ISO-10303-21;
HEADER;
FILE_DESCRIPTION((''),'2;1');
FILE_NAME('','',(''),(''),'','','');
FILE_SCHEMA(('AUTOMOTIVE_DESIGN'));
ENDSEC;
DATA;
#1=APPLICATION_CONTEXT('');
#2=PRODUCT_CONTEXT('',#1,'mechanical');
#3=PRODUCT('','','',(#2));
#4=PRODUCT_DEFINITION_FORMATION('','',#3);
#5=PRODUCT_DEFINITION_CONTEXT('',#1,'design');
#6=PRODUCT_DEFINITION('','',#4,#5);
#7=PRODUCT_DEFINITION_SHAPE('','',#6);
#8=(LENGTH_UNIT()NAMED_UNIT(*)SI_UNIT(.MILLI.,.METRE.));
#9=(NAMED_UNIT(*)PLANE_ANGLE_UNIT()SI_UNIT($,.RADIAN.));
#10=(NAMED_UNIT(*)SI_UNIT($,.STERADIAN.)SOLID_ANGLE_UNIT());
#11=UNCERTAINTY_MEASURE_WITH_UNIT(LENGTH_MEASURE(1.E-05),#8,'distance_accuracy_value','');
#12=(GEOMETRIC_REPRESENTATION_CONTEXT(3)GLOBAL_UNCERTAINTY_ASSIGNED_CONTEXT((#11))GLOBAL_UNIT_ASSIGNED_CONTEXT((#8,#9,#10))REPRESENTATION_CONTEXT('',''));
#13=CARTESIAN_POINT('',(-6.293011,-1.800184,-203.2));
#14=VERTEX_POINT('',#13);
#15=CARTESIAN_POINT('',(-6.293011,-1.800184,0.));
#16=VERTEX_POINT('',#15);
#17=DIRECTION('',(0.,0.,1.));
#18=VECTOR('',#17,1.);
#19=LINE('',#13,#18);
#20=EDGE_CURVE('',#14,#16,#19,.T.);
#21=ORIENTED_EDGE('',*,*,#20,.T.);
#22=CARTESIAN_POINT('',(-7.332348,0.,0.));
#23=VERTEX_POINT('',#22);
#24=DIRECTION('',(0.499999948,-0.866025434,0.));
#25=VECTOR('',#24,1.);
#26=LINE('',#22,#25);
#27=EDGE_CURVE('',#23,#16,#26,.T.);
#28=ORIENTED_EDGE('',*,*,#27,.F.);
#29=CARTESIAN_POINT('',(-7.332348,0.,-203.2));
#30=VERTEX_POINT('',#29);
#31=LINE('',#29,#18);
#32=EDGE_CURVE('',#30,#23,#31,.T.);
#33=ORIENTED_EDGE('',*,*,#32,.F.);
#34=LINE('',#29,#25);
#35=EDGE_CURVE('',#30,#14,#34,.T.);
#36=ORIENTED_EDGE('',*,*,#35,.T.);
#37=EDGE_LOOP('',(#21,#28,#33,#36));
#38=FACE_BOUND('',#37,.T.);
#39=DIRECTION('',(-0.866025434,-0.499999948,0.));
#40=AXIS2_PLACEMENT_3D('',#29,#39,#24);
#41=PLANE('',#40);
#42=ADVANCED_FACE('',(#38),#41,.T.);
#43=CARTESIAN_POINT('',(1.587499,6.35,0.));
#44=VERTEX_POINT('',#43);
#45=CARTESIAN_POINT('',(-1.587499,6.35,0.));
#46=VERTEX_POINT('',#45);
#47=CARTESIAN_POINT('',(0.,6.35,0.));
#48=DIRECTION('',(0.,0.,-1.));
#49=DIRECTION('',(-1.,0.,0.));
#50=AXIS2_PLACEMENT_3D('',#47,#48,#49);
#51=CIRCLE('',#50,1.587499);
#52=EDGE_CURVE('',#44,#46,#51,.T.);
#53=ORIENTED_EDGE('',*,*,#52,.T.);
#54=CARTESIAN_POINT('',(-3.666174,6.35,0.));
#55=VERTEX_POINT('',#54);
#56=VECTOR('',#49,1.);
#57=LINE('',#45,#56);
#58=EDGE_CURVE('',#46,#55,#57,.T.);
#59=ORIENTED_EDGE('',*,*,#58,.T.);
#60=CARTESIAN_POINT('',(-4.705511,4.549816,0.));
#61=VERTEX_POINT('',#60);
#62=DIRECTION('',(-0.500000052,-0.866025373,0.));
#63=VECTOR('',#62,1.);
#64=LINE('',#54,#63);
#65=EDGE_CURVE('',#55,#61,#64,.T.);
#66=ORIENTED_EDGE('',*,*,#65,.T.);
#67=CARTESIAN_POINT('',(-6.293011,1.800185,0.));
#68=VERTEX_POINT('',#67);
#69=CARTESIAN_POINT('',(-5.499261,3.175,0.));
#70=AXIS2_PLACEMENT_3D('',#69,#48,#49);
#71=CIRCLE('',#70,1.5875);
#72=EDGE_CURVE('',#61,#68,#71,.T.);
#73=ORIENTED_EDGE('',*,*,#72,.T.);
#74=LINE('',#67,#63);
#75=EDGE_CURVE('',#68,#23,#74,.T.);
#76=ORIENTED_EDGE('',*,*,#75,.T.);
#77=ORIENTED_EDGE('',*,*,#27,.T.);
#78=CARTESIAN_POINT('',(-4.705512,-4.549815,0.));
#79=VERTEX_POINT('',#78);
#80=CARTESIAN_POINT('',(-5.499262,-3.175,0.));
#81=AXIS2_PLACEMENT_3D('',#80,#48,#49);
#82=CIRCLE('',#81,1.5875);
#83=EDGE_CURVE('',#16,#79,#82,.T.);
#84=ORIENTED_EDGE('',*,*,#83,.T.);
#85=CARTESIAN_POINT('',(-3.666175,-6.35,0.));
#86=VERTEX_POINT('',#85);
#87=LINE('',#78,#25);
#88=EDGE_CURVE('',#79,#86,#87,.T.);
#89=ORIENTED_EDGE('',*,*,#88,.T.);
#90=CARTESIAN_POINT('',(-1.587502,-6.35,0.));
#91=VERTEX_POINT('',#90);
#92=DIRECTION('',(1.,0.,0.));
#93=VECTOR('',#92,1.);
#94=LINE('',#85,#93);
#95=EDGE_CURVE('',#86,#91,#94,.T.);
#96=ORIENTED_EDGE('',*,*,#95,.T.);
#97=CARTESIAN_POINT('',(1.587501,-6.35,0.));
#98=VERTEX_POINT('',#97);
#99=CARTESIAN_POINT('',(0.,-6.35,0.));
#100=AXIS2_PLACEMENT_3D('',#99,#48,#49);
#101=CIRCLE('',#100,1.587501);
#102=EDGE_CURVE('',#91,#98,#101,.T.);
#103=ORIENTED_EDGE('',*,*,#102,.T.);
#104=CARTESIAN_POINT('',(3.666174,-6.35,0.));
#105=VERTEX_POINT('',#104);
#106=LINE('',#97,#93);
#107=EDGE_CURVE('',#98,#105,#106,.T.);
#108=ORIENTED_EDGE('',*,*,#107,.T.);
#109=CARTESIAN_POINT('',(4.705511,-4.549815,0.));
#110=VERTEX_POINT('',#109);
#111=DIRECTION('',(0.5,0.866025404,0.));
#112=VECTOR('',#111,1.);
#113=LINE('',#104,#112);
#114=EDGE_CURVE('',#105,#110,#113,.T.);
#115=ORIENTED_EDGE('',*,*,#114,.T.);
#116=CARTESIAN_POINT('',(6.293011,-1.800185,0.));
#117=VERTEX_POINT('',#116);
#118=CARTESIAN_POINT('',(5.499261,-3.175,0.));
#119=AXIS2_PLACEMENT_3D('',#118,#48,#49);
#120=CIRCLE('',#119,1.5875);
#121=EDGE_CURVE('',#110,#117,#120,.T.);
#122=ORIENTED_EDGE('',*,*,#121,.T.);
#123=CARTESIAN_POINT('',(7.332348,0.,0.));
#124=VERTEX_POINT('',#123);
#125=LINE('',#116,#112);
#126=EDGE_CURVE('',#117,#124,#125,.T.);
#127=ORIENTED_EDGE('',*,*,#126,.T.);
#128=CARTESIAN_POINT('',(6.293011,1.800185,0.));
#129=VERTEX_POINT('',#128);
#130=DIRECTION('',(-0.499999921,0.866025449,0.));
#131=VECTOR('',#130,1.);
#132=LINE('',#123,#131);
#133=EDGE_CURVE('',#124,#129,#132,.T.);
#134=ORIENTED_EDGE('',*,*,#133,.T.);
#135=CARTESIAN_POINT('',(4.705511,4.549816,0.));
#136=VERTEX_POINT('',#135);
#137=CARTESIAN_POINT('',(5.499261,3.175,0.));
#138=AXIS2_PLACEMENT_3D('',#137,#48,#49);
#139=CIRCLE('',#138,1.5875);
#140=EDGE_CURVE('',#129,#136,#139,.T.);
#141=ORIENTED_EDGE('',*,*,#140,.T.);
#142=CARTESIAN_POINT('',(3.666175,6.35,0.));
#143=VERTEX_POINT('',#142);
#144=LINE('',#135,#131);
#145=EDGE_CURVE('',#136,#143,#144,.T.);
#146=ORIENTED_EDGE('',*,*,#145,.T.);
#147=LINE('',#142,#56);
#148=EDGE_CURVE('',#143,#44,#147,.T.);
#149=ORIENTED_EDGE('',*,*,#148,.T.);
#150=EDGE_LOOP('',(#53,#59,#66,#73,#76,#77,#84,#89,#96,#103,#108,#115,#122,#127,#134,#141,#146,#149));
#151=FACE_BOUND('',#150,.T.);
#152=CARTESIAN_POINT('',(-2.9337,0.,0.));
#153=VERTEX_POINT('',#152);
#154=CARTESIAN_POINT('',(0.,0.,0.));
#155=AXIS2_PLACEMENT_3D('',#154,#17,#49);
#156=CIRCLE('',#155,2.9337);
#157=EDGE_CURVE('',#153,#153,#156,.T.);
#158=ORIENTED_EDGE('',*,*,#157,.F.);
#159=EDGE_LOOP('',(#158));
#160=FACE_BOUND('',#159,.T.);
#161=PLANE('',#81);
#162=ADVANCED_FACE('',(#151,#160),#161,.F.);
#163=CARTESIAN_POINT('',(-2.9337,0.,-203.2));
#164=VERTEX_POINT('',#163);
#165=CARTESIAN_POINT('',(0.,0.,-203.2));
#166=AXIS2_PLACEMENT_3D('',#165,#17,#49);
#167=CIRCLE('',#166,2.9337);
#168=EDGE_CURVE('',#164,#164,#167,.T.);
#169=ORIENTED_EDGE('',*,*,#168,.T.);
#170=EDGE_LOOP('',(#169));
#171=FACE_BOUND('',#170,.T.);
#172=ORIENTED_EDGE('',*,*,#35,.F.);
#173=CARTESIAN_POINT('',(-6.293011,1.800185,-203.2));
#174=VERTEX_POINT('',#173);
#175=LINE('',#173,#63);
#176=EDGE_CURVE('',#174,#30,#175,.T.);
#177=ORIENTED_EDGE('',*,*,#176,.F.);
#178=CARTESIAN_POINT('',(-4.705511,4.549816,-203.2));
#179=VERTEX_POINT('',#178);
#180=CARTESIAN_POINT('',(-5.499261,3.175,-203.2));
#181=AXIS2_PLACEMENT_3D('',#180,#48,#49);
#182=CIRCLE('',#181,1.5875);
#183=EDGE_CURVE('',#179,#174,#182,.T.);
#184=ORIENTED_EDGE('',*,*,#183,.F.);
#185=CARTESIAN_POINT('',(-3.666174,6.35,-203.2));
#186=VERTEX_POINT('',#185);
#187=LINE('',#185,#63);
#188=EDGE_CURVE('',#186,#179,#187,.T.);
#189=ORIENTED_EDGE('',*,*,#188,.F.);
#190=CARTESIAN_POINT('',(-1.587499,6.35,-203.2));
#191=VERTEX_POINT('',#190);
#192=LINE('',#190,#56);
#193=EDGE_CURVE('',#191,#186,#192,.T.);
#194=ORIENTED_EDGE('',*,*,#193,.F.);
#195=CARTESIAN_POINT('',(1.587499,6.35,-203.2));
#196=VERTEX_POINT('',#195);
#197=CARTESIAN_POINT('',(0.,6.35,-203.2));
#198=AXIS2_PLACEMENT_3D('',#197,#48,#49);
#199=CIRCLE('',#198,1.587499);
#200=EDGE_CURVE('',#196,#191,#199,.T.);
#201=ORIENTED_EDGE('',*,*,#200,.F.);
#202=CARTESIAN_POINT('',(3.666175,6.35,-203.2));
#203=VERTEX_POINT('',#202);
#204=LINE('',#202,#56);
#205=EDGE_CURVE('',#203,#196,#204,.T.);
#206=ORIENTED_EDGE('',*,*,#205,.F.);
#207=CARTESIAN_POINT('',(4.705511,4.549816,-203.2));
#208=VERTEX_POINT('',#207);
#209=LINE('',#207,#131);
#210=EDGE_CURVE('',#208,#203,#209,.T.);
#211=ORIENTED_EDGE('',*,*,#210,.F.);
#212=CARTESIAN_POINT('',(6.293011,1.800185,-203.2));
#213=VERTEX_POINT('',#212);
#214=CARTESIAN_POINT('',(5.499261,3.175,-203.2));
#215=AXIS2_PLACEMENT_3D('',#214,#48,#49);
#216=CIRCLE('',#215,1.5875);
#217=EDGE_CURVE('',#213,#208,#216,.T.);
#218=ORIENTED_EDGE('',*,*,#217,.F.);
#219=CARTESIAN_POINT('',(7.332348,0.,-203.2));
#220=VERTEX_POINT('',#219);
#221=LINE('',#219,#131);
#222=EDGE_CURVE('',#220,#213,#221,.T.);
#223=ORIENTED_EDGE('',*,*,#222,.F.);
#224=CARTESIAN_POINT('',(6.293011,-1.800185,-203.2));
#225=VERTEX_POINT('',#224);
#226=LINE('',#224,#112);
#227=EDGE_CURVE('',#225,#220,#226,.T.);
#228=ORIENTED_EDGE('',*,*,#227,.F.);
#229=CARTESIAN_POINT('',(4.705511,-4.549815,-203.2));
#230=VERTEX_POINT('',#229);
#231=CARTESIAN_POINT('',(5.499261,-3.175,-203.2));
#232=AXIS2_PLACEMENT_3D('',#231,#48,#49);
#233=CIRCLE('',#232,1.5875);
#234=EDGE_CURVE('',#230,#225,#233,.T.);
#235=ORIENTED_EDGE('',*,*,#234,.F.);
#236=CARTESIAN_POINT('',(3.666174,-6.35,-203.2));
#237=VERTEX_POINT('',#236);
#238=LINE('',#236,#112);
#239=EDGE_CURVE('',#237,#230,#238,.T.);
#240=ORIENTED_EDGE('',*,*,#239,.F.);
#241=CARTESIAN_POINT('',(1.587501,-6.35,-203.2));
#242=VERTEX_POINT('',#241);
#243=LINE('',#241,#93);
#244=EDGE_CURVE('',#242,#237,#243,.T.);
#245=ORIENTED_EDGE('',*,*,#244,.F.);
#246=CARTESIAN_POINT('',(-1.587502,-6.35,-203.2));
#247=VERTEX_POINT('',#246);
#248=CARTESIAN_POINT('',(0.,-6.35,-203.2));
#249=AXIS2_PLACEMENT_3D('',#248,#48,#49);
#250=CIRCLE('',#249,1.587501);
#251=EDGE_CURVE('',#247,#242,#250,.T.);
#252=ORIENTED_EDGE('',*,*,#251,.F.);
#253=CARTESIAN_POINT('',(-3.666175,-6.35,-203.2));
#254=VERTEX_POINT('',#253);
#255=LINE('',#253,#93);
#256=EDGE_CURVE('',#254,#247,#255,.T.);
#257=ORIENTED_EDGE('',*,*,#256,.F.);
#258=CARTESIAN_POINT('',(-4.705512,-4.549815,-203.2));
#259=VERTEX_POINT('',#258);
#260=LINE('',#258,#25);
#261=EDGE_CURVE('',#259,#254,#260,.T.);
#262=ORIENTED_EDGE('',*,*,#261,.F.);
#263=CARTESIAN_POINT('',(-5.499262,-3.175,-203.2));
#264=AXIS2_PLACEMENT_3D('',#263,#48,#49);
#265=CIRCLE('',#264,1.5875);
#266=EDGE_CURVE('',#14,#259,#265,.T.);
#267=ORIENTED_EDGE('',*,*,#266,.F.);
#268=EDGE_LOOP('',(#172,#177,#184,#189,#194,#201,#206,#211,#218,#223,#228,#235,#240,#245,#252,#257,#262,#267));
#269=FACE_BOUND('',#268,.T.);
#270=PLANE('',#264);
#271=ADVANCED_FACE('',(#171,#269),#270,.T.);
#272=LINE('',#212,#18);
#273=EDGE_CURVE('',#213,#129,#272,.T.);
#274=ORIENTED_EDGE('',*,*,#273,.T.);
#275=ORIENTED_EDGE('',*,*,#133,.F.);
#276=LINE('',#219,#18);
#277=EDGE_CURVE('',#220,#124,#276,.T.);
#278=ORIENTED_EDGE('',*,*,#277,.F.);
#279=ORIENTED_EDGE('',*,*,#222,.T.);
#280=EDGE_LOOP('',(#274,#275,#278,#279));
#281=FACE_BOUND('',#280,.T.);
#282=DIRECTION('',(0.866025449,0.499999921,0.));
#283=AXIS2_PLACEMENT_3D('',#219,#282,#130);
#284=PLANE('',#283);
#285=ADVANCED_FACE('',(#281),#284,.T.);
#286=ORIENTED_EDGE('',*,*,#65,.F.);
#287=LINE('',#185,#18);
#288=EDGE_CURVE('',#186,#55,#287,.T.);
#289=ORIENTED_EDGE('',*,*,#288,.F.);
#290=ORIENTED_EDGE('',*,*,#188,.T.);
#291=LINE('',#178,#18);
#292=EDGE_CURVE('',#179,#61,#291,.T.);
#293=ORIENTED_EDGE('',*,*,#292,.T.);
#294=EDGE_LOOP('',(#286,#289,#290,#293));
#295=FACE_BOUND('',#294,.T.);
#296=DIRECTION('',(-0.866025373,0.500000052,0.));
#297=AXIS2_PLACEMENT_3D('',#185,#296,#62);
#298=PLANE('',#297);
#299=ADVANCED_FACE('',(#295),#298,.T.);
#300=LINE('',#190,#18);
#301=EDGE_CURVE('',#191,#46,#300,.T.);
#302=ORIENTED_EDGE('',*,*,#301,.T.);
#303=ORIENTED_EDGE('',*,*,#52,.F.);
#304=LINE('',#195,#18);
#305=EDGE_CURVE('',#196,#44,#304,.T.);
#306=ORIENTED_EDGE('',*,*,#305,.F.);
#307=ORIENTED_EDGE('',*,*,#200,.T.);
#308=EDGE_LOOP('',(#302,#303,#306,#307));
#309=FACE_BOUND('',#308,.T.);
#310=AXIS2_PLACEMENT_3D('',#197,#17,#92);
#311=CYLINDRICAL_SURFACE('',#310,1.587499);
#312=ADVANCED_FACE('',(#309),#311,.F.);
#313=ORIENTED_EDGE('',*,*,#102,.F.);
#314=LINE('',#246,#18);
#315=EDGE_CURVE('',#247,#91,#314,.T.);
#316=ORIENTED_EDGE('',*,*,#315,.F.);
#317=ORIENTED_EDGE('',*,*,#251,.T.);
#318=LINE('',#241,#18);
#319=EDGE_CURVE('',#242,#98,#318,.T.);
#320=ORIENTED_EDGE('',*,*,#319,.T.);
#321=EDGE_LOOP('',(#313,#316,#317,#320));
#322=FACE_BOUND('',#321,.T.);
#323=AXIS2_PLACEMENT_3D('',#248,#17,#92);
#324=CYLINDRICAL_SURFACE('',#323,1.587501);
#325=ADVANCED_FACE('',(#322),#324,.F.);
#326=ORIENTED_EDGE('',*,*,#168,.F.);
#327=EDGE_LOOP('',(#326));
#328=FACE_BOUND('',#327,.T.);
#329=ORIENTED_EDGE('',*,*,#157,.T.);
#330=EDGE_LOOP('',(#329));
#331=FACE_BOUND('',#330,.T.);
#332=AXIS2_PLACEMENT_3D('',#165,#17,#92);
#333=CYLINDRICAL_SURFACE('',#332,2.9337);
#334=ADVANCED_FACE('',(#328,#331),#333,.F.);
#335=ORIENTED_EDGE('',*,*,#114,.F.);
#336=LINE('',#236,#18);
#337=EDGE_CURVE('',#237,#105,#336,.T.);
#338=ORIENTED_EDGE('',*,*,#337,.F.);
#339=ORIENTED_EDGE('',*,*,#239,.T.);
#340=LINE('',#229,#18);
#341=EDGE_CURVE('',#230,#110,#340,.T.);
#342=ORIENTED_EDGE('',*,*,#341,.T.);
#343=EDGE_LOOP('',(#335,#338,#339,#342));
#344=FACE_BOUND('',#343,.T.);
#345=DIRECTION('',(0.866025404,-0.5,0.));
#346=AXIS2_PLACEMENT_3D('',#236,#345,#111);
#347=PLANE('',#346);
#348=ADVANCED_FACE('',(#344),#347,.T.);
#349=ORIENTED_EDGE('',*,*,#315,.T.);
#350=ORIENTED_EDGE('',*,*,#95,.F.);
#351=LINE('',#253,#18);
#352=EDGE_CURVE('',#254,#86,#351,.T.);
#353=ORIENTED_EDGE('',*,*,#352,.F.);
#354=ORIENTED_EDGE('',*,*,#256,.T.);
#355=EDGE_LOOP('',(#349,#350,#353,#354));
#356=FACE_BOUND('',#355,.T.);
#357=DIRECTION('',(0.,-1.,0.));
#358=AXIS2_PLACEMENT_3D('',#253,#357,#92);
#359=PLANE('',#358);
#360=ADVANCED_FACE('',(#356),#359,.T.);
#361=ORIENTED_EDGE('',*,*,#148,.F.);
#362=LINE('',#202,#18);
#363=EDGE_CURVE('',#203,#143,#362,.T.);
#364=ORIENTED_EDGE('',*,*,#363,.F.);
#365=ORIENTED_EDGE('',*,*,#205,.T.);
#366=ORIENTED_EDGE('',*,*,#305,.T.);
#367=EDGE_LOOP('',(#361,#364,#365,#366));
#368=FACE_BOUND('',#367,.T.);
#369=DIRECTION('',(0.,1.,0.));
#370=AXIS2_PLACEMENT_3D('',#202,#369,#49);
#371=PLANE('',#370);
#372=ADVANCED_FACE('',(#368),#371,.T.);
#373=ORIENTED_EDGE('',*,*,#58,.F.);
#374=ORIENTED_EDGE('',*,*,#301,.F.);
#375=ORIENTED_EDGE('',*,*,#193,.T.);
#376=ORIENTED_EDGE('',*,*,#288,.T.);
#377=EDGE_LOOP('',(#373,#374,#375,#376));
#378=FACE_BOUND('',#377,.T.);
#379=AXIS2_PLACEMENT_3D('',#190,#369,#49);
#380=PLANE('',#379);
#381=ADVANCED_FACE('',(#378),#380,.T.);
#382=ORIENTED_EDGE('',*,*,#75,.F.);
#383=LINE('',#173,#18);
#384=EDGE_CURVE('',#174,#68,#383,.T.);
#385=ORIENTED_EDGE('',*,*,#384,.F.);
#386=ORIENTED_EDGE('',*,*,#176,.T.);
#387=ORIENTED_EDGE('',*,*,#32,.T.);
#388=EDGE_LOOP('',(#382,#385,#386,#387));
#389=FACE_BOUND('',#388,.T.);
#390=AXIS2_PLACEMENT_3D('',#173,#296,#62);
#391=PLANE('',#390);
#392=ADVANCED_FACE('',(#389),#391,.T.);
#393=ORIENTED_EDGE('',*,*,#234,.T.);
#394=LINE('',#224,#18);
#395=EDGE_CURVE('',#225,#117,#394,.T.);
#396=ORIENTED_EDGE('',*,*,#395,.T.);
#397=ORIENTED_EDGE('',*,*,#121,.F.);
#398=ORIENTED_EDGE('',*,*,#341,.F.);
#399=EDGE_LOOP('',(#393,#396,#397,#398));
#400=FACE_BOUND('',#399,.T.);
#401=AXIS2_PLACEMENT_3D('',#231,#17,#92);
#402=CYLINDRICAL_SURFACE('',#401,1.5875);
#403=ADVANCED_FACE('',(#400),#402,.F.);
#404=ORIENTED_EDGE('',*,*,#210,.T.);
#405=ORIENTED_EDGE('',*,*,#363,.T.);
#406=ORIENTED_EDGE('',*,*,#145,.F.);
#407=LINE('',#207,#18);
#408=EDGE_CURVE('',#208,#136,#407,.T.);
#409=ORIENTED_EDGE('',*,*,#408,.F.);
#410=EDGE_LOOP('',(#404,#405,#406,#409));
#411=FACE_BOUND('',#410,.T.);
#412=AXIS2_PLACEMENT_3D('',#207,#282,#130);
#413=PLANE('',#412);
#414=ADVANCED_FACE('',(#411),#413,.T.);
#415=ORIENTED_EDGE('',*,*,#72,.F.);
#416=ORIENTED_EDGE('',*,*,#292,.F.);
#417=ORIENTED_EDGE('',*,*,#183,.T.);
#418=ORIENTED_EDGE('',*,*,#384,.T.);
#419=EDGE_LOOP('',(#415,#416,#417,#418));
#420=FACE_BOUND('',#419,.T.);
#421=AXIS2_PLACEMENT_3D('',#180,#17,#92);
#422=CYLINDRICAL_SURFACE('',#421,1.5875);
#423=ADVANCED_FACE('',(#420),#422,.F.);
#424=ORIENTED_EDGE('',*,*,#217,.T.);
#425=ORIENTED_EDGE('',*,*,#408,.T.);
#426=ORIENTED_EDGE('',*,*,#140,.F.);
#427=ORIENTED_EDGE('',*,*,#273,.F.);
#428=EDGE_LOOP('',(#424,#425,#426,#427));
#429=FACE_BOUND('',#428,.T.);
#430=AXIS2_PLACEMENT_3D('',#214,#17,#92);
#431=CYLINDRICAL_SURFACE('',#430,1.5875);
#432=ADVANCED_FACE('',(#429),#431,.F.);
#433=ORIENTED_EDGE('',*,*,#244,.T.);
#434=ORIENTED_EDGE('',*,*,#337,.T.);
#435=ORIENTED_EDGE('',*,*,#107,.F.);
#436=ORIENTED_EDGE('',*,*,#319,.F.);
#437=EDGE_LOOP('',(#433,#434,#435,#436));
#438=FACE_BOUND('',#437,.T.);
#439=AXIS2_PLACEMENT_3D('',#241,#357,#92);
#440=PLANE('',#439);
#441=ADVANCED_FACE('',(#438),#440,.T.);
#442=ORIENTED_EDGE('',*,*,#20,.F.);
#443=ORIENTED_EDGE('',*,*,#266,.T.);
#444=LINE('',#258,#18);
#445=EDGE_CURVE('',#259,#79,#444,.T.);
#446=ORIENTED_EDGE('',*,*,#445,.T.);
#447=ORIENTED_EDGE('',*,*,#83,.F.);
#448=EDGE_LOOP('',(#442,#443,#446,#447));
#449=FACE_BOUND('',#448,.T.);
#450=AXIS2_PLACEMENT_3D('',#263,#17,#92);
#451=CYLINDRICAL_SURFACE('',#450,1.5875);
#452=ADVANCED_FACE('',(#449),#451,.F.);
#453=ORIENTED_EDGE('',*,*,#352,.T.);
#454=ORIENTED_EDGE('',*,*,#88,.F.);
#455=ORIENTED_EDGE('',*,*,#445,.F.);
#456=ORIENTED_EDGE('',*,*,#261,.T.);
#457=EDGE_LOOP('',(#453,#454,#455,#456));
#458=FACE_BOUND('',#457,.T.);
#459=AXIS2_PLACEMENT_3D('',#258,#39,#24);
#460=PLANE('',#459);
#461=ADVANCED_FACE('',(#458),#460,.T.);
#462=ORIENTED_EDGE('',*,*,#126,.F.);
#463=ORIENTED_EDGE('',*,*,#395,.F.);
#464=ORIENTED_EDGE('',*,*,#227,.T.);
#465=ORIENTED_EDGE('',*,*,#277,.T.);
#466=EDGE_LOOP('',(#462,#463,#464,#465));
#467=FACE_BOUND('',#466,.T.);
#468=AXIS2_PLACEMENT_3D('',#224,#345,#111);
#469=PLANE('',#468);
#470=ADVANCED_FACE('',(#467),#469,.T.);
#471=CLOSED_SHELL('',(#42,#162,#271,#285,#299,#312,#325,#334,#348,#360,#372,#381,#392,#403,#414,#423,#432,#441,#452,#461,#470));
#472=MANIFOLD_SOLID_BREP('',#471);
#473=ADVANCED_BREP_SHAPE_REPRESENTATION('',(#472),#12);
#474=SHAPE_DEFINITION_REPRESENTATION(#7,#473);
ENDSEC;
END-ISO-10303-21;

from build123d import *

# Parameters (mm, degrees)
SKETCH1_R           = 2.9337
BOSS_EXTRUDE1_DEPTH = 203.2


with BuildPart() as part:
    # Sketch1 → Boss-Extrude1 (new body)
    with BuildSketch(Plane.XY):
        with BuildLine():
            Line((-4.70551159, -4.549815043), (-3.666174521, -6.349999904))
            Line((-3.666174521, -6.349999904), (-1.587501154, -6.349999904))
            ThreePointArc((-1.587501154, -6.349999904), (-3.85e-07, -4.762499134), (1.587501154, -6.349999904))
            Line((1.587501154, -6.349999904), (3.666173825, -6.349999904))
            Line((3.666173825, -6.349999904), (4.705510929, -4.549815232))
            ThreePointArc((4.705510929, -4.549815232), (4.124445601, -2.381249904), (6.293010929, -1.800184575))
            Line((6.293010929, -1.800184575), (7.332348034, 9.6e-08))
            Line((7.332348034, 9.6e-08), (6.293011178, 1.800184715))
            ThreePointArc((6.293011178, 1.800184715), (4.124445902, 2.381250241), (4.705511428, 4.549815516))
            Line((4.705511428, 4.549815516), (3.666174521, 6.350000222))
            Line((3.666174521, 6.350000222), (1.587498846, 6.350000222))
            ThreePointArc((1.587498846, 6.350000222), (3.85e-07, 4.762501761), (-1.587498846, 6.350000222))
            Line((-1.587498846, 6.350000222), (-3.666173825, 6.350000222))
            Line((-3.666173825, 6.350000222), (-4.705511038, 4.549815614))
            ThreePointArc((-4.705511038, 4.549815614), (-4.124445841, 2.38125025), (-6.293011205, 1.800185053))
            Line((-6.293011205, 1.800185053), (-7.332348419, 4.44e-07))
            Line((-7.332348419, 4.44e-07), (-6.293011423, -1.80018429))
            ThreePointArc((-6.293011423, -1.80018429), (-4.12444613, -2.38124975), (-4.70551159, -4.549815043))
        make_face()
        Circle(SKETCH1_R, mode=Mode.SUBTRACT)
    extrude(amount=-BOSS_EXTRUDE1_DEPTH)


solid = part.part
